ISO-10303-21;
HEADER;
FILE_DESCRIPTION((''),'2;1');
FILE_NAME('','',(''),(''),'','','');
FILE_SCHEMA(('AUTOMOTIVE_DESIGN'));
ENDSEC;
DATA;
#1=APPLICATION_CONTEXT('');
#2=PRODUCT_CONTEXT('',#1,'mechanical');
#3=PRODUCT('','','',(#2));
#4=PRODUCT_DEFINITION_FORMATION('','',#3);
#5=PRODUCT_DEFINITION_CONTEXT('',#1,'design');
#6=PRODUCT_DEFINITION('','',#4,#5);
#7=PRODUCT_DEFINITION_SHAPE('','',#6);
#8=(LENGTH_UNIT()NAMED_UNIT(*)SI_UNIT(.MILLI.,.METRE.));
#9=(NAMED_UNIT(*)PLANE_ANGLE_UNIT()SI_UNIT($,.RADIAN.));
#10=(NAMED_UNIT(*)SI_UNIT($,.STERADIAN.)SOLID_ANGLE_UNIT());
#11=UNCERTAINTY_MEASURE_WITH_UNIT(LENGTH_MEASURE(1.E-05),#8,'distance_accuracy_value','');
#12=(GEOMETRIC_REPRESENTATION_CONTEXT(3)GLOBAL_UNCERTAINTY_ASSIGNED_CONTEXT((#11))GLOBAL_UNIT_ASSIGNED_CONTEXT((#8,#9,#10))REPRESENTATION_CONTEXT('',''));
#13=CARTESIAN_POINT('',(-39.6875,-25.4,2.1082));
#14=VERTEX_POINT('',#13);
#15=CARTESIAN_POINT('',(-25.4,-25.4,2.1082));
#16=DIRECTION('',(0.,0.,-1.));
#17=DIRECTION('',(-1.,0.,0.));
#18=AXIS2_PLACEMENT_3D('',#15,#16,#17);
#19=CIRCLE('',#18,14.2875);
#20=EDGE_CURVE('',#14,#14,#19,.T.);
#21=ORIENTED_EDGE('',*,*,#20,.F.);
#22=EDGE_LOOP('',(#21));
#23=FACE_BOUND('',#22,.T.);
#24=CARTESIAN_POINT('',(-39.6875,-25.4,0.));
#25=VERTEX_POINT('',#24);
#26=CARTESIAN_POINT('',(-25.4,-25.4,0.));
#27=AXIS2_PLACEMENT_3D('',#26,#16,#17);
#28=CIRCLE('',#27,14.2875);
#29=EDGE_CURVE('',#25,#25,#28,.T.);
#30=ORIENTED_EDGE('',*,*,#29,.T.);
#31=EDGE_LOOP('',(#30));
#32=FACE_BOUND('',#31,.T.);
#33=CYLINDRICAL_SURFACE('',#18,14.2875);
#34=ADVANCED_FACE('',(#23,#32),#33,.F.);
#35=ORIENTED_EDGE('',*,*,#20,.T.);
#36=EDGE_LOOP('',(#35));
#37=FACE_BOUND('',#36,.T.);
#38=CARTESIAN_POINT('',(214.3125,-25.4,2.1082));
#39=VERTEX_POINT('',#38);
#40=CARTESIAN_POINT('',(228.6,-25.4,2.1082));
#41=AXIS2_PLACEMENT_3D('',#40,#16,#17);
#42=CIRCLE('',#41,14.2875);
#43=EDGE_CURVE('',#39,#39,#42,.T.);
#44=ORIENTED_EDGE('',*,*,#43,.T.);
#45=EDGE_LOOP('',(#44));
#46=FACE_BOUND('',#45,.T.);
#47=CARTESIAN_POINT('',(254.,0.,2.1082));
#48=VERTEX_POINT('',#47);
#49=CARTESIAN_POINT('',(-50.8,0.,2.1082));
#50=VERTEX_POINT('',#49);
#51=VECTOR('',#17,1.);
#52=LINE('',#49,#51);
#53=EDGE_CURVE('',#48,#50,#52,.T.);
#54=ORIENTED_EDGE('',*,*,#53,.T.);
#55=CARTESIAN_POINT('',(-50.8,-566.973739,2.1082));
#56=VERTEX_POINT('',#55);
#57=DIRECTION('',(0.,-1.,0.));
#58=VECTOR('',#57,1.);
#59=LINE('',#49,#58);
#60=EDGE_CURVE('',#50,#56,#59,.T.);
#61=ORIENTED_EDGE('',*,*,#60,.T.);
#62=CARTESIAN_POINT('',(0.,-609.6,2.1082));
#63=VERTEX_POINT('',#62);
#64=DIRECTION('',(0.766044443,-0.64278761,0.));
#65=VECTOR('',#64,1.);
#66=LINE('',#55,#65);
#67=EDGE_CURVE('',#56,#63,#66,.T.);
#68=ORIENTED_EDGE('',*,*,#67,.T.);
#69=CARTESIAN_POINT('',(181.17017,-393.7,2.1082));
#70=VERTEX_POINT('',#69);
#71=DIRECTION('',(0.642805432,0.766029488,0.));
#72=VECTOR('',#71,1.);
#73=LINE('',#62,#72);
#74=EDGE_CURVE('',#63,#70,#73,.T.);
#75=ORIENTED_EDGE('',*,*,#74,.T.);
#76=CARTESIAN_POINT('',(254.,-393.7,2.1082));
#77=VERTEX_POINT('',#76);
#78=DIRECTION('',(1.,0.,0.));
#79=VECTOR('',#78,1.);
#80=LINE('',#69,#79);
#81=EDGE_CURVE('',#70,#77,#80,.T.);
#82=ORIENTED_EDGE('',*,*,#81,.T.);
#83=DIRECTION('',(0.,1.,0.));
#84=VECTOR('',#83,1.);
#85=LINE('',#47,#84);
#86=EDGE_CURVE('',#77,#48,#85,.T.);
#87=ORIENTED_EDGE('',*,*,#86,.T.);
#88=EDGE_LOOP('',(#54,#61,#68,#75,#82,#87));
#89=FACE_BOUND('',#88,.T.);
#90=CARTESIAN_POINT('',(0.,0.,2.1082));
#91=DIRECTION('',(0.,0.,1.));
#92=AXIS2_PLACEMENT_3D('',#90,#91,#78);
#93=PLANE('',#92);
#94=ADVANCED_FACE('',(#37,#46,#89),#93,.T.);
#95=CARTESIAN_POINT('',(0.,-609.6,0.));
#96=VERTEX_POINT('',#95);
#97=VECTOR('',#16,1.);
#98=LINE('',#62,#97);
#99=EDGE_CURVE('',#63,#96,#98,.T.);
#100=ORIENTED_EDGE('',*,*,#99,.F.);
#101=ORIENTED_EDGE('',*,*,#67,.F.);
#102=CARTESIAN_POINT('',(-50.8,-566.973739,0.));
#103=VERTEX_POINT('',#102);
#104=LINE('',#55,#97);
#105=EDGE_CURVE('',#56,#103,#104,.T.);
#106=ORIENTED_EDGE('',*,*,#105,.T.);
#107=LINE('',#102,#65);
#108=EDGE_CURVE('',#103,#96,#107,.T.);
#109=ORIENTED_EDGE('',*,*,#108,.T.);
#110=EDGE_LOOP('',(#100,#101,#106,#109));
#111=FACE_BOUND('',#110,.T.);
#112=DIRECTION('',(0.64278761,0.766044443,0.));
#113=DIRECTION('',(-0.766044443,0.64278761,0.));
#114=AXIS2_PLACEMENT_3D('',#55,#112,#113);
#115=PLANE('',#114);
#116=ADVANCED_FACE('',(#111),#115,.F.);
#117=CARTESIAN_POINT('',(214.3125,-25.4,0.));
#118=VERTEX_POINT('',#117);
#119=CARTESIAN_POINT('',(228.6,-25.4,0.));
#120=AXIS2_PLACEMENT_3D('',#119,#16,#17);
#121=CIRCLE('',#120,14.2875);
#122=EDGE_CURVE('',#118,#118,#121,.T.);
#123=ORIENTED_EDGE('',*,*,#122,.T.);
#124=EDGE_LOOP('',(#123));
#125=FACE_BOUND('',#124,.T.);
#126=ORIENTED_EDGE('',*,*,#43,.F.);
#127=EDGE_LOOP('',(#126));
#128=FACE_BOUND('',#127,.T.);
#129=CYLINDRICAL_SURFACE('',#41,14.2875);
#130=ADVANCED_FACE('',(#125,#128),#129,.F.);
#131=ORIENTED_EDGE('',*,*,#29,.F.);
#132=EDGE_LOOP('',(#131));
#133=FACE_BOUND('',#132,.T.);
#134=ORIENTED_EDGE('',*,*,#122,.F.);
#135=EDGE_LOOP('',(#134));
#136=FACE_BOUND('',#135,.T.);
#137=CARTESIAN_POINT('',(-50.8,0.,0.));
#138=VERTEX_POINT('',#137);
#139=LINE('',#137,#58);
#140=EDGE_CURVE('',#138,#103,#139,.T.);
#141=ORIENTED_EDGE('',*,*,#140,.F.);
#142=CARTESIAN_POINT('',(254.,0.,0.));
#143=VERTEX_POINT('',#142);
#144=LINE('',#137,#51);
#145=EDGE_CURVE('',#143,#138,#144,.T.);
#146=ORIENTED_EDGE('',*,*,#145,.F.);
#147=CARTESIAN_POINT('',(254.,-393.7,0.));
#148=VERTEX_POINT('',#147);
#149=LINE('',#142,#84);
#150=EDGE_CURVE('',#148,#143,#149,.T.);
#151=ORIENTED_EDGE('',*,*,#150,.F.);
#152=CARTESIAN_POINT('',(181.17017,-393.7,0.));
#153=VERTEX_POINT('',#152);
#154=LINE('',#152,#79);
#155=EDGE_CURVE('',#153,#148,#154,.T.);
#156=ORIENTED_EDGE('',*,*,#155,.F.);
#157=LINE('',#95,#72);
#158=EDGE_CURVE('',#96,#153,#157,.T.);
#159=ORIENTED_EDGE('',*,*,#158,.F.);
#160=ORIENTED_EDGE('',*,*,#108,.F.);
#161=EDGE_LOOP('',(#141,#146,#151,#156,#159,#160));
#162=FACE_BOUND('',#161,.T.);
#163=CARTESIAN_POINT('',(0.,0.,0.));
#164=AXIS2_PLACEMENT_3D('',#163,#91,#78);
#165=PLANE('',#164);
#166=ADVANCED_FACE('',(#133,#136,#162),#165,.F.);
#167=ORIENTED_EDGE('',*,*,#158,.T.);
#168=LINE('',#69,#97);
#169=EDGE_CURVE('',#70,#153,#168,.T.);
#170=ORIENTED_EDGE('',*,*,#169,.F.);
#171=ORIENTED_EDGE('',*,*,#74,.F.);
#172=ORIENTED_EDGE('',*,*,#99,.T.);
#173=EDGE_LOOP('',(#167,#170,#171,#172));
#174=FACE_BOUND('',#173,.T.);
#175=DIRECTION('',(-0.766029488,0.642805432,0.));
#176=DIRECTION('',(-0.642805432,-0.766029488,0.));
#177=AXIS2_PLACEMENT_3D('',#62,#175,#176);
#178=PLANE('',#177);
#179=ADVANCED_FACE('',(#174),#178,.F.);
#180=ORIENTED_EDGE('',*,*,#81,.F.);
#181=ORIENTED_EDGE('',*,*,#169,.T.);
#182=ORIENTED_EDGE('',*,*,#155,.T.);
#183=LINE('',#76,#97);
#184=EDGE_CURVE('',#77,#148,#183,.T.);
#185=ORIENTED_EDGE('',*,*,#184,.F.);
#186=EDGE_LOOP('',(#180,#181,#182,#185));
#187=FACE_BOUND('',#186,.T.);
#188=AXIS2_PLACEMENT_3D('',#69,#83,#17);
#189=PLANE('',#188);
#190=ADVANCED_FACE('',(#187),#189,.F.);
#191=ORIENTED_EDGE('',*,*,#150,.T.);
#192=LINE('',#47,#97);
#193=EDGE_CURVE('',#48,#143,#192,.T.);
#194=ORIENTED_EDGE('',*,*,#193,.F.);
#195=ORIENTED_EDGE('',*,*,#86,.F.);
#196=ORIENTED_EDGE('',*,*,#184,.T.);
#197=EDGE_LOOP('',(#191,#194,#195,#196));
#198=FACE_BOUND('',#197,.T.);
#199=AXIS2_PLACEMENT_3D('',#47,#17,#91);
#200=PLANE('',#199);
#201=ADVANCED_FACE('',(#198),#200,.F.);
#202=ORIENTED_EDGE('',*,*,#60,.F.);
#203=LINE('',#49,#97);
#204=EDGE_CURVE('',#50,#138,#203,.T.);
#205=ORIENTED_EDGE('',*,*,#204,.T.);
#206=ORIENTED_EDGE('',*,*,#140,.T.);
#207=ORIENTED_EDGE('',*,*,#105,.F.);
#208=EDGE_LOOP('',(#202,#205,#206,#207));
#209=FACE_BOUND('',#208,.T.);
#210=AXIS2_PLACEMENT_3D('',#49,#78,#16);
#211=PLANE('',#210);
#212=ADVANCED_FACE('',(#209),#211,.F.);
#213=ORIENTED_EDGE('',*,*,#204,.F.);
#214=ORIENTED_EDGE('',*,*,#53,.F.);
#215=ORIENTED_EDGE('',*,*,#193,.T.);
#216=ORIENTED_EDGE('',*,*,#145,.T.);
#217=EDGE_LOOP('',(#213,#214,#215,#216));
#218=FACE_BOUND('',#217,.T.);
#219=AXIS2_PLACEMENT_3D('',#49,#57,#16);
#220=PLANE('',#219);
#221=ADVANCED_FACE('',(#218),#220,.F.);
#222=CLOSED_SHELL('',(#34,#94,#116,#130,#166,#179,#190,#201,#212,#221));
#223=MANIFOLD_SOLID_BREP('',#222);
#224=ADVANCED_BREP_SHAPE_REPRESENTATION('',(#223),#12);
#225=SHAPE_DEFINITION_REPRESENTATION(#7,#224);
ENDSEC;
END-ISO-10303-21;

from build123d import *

# Parameters (mm, degrees)
SKETCH1_W           = 304.8
SKETCH1_H           = 635
BOSS_EXTRUDE1_DEPTH = 2.1082
SKETCH3_R           = 14.2875
CUT_EXTRUDE2_DEPTH  = 2.1082
SKETCH4_R           = 14.2875
CUT_EXTRUDE3_DEPTH  = 2.1082
CUT_EXTRUDE4_DEPTH  = 3.1082


with BuildPart() as part:
    # Sketch1 → Boss-Extrude1 (new body)
    with BuildSketch(Plane.XY):
        with Locations((101.6, -317.5)):
            Rectangle(SKETCH1_W, SKETCH1_H)
    extrude(amount=BOSS_EXTRUDE1_DEPTH)

    # Sketch3 → Cut-Extrude2 (cut)
    with BuildSketch(Plane(origin=(0, 0, 0), x_dir=(-1, 0, 0), z_dir=(0, 0, -1))):
        with Locations((25.4, -25.4)):
            Circle(SKETCH3_R)
    extrude(amount=-CUT_EXTRUDE2_DEPTH, mode=Mode.SUBTRACT)

    # Sketch4 → Cut-Extrude3 (cut)
    with BuildSketch(Plane(origin=(0, 0, 0), x_dir=(-1, 0, 0), z_dir=(0, 0, -1))):
        with Locations((-228.6, -25.4)):
            Circle(SKETCH4_R)
    extrude(amount=-CUT_EXTRUDE3_DEPTH, mode=Mode.SUBTRACT)

    # Sketch5 → Cut-Extrude4 (cut, through all)
    with BuildSketch(Plane(origin=(0, 0, 0), x_dir=(-1, 0, 0), z_dir=(0, 0, -1))):
        Polygon((-254, -635), (-254, -393.7), (-181.170170025, -393.7), (0, -609.6), (50.8, -566.973738736), (50.8, -635), align=None)
    extrude(amount=-CUT_EXTRUDE4_DEPTH, mode=Mode.SUBTRACT)


solid = part.part
